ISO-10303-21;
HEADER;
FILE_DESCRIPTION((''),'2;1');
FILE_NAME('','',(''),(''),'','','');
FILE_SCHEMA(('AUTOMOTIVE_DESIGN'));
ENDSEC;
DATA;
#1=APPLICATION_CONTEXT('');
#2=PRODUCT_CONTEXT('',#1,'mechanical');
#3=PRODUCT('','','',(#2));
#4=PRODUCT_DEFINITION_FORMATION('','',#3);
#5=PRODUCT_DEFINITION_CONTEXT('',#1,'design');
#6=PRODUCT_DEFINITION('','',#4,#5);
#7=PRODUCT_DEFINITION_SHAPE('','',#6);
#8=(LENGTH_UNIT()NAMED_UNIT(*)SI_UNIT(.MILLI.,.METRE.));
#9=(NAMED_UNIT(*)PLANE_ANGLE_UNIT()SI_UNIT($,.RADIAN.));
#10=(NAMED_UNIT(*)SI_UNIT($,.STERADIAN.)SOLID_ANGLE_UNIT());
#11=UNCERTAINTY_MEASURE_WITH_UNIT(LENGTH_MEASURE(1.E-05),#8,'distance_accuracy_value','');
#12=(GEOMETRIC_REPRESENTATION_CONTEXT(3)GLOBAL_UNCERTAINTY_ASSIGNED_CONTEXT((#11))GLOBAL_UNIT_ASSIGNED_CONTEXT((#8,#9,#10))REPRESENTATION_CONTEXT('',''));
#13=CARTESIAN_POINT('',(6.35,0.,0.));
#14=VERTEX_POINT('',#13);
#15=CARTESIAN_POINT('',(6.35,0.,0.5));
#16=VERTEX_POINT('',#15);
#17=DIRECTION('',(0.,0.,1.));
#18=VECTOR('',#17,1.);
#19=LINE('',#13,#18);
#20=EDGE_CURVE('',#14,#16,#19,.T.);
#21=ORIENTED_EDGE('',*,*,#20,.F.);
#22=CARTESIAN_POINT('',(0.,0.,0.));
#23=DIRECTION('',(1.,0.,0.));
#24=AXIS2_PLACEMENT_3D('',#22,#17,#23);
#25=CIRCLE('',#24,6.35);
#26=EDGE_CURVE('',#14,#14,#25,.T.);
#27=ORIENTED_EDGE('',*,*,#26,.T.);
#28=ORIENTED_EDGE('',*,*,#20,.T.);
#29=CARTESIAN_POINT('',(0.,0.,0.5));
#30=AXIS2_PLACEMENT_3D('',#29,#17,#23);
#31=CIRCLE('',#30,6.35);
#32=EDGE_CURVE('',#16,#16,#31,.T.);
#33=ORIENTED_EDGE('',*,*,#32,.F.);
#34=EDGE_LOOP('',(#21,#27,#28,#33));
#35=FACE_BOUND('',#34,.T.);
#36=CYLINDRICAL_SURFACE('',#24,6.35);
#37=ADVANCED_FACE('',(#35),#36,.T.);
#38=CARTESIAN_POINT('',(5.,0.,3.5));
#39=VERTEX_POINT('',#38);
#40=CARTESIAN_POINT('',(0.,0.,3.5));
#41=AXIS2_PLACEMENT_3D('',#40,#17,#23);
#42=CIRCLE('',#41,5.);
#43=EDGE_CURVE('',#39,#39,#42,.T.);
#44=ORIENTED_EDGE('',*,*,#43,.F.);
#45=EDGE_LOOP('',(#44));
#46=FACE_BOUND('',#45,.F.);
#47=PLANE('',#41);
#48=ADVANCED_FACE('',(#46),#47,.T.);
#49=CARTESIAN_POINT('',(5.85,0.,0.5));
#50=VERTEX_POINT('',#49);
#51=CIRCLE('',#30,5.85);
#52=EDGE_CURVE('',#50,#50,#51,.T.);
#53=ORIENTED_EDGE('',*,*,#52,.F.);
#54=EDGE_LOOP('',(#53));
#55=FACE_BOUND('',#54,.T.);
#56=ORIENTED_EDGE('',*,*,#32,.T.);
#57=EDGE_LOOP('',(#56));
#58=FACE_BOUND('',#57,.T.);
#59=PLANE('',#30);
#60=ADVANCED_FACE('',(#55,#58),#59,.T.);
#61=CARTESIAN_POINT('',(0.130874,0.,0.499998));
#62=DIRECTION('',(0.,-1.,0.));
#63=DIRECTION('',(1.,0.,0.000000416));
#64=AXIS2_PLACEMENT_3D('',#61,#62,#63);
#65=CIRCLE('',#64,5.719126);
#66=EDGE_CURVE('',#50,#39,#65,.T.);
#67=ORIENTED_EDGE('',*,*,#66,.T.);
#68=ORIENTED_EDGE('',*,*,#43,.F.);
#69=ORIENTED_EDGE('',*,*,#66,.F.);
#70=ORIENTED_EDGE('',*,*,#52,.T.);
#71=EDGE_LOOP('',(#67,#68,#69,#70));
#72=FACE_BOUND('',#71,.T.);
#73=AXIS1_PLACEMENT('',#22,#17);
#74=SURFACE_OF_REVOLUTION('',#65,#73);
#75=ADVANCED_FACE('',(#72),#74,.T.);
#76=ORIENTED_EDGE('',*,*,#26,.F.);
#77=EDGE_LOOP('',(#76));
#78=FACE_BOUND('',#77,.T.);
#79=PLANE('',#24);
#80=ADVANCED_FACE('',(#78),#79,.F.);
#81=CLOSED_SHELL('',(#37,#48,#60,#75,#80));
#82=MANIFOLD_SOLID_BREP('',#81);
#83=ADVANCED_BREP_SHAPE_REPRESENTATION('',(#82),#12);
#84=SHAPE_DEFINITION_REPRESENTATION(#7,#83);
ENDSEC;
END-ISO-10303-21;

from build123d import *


with BuildPart() as part:
    # Sketch → Revolution (revolve)
    with BuildSketch(Plane.XZ):
        with BuildLine():
            Line((0, 0), (0, 3.5))
            Line((0, 3.5), (5, 3.5))
            ThreePointArc((5.85, 0.5), (5.633398, 2.059046), (5, 3.5))
            Line((6.35, 0.5), (5.85, 0.5))
            Line((6.35, 0), (6.35, 0.5))
            Line((0, 0), (6.35, 0))
        make_face()
    revolve(axis=Axis((0, 0, 0), (0, 0, 1)))


solid = part.part
